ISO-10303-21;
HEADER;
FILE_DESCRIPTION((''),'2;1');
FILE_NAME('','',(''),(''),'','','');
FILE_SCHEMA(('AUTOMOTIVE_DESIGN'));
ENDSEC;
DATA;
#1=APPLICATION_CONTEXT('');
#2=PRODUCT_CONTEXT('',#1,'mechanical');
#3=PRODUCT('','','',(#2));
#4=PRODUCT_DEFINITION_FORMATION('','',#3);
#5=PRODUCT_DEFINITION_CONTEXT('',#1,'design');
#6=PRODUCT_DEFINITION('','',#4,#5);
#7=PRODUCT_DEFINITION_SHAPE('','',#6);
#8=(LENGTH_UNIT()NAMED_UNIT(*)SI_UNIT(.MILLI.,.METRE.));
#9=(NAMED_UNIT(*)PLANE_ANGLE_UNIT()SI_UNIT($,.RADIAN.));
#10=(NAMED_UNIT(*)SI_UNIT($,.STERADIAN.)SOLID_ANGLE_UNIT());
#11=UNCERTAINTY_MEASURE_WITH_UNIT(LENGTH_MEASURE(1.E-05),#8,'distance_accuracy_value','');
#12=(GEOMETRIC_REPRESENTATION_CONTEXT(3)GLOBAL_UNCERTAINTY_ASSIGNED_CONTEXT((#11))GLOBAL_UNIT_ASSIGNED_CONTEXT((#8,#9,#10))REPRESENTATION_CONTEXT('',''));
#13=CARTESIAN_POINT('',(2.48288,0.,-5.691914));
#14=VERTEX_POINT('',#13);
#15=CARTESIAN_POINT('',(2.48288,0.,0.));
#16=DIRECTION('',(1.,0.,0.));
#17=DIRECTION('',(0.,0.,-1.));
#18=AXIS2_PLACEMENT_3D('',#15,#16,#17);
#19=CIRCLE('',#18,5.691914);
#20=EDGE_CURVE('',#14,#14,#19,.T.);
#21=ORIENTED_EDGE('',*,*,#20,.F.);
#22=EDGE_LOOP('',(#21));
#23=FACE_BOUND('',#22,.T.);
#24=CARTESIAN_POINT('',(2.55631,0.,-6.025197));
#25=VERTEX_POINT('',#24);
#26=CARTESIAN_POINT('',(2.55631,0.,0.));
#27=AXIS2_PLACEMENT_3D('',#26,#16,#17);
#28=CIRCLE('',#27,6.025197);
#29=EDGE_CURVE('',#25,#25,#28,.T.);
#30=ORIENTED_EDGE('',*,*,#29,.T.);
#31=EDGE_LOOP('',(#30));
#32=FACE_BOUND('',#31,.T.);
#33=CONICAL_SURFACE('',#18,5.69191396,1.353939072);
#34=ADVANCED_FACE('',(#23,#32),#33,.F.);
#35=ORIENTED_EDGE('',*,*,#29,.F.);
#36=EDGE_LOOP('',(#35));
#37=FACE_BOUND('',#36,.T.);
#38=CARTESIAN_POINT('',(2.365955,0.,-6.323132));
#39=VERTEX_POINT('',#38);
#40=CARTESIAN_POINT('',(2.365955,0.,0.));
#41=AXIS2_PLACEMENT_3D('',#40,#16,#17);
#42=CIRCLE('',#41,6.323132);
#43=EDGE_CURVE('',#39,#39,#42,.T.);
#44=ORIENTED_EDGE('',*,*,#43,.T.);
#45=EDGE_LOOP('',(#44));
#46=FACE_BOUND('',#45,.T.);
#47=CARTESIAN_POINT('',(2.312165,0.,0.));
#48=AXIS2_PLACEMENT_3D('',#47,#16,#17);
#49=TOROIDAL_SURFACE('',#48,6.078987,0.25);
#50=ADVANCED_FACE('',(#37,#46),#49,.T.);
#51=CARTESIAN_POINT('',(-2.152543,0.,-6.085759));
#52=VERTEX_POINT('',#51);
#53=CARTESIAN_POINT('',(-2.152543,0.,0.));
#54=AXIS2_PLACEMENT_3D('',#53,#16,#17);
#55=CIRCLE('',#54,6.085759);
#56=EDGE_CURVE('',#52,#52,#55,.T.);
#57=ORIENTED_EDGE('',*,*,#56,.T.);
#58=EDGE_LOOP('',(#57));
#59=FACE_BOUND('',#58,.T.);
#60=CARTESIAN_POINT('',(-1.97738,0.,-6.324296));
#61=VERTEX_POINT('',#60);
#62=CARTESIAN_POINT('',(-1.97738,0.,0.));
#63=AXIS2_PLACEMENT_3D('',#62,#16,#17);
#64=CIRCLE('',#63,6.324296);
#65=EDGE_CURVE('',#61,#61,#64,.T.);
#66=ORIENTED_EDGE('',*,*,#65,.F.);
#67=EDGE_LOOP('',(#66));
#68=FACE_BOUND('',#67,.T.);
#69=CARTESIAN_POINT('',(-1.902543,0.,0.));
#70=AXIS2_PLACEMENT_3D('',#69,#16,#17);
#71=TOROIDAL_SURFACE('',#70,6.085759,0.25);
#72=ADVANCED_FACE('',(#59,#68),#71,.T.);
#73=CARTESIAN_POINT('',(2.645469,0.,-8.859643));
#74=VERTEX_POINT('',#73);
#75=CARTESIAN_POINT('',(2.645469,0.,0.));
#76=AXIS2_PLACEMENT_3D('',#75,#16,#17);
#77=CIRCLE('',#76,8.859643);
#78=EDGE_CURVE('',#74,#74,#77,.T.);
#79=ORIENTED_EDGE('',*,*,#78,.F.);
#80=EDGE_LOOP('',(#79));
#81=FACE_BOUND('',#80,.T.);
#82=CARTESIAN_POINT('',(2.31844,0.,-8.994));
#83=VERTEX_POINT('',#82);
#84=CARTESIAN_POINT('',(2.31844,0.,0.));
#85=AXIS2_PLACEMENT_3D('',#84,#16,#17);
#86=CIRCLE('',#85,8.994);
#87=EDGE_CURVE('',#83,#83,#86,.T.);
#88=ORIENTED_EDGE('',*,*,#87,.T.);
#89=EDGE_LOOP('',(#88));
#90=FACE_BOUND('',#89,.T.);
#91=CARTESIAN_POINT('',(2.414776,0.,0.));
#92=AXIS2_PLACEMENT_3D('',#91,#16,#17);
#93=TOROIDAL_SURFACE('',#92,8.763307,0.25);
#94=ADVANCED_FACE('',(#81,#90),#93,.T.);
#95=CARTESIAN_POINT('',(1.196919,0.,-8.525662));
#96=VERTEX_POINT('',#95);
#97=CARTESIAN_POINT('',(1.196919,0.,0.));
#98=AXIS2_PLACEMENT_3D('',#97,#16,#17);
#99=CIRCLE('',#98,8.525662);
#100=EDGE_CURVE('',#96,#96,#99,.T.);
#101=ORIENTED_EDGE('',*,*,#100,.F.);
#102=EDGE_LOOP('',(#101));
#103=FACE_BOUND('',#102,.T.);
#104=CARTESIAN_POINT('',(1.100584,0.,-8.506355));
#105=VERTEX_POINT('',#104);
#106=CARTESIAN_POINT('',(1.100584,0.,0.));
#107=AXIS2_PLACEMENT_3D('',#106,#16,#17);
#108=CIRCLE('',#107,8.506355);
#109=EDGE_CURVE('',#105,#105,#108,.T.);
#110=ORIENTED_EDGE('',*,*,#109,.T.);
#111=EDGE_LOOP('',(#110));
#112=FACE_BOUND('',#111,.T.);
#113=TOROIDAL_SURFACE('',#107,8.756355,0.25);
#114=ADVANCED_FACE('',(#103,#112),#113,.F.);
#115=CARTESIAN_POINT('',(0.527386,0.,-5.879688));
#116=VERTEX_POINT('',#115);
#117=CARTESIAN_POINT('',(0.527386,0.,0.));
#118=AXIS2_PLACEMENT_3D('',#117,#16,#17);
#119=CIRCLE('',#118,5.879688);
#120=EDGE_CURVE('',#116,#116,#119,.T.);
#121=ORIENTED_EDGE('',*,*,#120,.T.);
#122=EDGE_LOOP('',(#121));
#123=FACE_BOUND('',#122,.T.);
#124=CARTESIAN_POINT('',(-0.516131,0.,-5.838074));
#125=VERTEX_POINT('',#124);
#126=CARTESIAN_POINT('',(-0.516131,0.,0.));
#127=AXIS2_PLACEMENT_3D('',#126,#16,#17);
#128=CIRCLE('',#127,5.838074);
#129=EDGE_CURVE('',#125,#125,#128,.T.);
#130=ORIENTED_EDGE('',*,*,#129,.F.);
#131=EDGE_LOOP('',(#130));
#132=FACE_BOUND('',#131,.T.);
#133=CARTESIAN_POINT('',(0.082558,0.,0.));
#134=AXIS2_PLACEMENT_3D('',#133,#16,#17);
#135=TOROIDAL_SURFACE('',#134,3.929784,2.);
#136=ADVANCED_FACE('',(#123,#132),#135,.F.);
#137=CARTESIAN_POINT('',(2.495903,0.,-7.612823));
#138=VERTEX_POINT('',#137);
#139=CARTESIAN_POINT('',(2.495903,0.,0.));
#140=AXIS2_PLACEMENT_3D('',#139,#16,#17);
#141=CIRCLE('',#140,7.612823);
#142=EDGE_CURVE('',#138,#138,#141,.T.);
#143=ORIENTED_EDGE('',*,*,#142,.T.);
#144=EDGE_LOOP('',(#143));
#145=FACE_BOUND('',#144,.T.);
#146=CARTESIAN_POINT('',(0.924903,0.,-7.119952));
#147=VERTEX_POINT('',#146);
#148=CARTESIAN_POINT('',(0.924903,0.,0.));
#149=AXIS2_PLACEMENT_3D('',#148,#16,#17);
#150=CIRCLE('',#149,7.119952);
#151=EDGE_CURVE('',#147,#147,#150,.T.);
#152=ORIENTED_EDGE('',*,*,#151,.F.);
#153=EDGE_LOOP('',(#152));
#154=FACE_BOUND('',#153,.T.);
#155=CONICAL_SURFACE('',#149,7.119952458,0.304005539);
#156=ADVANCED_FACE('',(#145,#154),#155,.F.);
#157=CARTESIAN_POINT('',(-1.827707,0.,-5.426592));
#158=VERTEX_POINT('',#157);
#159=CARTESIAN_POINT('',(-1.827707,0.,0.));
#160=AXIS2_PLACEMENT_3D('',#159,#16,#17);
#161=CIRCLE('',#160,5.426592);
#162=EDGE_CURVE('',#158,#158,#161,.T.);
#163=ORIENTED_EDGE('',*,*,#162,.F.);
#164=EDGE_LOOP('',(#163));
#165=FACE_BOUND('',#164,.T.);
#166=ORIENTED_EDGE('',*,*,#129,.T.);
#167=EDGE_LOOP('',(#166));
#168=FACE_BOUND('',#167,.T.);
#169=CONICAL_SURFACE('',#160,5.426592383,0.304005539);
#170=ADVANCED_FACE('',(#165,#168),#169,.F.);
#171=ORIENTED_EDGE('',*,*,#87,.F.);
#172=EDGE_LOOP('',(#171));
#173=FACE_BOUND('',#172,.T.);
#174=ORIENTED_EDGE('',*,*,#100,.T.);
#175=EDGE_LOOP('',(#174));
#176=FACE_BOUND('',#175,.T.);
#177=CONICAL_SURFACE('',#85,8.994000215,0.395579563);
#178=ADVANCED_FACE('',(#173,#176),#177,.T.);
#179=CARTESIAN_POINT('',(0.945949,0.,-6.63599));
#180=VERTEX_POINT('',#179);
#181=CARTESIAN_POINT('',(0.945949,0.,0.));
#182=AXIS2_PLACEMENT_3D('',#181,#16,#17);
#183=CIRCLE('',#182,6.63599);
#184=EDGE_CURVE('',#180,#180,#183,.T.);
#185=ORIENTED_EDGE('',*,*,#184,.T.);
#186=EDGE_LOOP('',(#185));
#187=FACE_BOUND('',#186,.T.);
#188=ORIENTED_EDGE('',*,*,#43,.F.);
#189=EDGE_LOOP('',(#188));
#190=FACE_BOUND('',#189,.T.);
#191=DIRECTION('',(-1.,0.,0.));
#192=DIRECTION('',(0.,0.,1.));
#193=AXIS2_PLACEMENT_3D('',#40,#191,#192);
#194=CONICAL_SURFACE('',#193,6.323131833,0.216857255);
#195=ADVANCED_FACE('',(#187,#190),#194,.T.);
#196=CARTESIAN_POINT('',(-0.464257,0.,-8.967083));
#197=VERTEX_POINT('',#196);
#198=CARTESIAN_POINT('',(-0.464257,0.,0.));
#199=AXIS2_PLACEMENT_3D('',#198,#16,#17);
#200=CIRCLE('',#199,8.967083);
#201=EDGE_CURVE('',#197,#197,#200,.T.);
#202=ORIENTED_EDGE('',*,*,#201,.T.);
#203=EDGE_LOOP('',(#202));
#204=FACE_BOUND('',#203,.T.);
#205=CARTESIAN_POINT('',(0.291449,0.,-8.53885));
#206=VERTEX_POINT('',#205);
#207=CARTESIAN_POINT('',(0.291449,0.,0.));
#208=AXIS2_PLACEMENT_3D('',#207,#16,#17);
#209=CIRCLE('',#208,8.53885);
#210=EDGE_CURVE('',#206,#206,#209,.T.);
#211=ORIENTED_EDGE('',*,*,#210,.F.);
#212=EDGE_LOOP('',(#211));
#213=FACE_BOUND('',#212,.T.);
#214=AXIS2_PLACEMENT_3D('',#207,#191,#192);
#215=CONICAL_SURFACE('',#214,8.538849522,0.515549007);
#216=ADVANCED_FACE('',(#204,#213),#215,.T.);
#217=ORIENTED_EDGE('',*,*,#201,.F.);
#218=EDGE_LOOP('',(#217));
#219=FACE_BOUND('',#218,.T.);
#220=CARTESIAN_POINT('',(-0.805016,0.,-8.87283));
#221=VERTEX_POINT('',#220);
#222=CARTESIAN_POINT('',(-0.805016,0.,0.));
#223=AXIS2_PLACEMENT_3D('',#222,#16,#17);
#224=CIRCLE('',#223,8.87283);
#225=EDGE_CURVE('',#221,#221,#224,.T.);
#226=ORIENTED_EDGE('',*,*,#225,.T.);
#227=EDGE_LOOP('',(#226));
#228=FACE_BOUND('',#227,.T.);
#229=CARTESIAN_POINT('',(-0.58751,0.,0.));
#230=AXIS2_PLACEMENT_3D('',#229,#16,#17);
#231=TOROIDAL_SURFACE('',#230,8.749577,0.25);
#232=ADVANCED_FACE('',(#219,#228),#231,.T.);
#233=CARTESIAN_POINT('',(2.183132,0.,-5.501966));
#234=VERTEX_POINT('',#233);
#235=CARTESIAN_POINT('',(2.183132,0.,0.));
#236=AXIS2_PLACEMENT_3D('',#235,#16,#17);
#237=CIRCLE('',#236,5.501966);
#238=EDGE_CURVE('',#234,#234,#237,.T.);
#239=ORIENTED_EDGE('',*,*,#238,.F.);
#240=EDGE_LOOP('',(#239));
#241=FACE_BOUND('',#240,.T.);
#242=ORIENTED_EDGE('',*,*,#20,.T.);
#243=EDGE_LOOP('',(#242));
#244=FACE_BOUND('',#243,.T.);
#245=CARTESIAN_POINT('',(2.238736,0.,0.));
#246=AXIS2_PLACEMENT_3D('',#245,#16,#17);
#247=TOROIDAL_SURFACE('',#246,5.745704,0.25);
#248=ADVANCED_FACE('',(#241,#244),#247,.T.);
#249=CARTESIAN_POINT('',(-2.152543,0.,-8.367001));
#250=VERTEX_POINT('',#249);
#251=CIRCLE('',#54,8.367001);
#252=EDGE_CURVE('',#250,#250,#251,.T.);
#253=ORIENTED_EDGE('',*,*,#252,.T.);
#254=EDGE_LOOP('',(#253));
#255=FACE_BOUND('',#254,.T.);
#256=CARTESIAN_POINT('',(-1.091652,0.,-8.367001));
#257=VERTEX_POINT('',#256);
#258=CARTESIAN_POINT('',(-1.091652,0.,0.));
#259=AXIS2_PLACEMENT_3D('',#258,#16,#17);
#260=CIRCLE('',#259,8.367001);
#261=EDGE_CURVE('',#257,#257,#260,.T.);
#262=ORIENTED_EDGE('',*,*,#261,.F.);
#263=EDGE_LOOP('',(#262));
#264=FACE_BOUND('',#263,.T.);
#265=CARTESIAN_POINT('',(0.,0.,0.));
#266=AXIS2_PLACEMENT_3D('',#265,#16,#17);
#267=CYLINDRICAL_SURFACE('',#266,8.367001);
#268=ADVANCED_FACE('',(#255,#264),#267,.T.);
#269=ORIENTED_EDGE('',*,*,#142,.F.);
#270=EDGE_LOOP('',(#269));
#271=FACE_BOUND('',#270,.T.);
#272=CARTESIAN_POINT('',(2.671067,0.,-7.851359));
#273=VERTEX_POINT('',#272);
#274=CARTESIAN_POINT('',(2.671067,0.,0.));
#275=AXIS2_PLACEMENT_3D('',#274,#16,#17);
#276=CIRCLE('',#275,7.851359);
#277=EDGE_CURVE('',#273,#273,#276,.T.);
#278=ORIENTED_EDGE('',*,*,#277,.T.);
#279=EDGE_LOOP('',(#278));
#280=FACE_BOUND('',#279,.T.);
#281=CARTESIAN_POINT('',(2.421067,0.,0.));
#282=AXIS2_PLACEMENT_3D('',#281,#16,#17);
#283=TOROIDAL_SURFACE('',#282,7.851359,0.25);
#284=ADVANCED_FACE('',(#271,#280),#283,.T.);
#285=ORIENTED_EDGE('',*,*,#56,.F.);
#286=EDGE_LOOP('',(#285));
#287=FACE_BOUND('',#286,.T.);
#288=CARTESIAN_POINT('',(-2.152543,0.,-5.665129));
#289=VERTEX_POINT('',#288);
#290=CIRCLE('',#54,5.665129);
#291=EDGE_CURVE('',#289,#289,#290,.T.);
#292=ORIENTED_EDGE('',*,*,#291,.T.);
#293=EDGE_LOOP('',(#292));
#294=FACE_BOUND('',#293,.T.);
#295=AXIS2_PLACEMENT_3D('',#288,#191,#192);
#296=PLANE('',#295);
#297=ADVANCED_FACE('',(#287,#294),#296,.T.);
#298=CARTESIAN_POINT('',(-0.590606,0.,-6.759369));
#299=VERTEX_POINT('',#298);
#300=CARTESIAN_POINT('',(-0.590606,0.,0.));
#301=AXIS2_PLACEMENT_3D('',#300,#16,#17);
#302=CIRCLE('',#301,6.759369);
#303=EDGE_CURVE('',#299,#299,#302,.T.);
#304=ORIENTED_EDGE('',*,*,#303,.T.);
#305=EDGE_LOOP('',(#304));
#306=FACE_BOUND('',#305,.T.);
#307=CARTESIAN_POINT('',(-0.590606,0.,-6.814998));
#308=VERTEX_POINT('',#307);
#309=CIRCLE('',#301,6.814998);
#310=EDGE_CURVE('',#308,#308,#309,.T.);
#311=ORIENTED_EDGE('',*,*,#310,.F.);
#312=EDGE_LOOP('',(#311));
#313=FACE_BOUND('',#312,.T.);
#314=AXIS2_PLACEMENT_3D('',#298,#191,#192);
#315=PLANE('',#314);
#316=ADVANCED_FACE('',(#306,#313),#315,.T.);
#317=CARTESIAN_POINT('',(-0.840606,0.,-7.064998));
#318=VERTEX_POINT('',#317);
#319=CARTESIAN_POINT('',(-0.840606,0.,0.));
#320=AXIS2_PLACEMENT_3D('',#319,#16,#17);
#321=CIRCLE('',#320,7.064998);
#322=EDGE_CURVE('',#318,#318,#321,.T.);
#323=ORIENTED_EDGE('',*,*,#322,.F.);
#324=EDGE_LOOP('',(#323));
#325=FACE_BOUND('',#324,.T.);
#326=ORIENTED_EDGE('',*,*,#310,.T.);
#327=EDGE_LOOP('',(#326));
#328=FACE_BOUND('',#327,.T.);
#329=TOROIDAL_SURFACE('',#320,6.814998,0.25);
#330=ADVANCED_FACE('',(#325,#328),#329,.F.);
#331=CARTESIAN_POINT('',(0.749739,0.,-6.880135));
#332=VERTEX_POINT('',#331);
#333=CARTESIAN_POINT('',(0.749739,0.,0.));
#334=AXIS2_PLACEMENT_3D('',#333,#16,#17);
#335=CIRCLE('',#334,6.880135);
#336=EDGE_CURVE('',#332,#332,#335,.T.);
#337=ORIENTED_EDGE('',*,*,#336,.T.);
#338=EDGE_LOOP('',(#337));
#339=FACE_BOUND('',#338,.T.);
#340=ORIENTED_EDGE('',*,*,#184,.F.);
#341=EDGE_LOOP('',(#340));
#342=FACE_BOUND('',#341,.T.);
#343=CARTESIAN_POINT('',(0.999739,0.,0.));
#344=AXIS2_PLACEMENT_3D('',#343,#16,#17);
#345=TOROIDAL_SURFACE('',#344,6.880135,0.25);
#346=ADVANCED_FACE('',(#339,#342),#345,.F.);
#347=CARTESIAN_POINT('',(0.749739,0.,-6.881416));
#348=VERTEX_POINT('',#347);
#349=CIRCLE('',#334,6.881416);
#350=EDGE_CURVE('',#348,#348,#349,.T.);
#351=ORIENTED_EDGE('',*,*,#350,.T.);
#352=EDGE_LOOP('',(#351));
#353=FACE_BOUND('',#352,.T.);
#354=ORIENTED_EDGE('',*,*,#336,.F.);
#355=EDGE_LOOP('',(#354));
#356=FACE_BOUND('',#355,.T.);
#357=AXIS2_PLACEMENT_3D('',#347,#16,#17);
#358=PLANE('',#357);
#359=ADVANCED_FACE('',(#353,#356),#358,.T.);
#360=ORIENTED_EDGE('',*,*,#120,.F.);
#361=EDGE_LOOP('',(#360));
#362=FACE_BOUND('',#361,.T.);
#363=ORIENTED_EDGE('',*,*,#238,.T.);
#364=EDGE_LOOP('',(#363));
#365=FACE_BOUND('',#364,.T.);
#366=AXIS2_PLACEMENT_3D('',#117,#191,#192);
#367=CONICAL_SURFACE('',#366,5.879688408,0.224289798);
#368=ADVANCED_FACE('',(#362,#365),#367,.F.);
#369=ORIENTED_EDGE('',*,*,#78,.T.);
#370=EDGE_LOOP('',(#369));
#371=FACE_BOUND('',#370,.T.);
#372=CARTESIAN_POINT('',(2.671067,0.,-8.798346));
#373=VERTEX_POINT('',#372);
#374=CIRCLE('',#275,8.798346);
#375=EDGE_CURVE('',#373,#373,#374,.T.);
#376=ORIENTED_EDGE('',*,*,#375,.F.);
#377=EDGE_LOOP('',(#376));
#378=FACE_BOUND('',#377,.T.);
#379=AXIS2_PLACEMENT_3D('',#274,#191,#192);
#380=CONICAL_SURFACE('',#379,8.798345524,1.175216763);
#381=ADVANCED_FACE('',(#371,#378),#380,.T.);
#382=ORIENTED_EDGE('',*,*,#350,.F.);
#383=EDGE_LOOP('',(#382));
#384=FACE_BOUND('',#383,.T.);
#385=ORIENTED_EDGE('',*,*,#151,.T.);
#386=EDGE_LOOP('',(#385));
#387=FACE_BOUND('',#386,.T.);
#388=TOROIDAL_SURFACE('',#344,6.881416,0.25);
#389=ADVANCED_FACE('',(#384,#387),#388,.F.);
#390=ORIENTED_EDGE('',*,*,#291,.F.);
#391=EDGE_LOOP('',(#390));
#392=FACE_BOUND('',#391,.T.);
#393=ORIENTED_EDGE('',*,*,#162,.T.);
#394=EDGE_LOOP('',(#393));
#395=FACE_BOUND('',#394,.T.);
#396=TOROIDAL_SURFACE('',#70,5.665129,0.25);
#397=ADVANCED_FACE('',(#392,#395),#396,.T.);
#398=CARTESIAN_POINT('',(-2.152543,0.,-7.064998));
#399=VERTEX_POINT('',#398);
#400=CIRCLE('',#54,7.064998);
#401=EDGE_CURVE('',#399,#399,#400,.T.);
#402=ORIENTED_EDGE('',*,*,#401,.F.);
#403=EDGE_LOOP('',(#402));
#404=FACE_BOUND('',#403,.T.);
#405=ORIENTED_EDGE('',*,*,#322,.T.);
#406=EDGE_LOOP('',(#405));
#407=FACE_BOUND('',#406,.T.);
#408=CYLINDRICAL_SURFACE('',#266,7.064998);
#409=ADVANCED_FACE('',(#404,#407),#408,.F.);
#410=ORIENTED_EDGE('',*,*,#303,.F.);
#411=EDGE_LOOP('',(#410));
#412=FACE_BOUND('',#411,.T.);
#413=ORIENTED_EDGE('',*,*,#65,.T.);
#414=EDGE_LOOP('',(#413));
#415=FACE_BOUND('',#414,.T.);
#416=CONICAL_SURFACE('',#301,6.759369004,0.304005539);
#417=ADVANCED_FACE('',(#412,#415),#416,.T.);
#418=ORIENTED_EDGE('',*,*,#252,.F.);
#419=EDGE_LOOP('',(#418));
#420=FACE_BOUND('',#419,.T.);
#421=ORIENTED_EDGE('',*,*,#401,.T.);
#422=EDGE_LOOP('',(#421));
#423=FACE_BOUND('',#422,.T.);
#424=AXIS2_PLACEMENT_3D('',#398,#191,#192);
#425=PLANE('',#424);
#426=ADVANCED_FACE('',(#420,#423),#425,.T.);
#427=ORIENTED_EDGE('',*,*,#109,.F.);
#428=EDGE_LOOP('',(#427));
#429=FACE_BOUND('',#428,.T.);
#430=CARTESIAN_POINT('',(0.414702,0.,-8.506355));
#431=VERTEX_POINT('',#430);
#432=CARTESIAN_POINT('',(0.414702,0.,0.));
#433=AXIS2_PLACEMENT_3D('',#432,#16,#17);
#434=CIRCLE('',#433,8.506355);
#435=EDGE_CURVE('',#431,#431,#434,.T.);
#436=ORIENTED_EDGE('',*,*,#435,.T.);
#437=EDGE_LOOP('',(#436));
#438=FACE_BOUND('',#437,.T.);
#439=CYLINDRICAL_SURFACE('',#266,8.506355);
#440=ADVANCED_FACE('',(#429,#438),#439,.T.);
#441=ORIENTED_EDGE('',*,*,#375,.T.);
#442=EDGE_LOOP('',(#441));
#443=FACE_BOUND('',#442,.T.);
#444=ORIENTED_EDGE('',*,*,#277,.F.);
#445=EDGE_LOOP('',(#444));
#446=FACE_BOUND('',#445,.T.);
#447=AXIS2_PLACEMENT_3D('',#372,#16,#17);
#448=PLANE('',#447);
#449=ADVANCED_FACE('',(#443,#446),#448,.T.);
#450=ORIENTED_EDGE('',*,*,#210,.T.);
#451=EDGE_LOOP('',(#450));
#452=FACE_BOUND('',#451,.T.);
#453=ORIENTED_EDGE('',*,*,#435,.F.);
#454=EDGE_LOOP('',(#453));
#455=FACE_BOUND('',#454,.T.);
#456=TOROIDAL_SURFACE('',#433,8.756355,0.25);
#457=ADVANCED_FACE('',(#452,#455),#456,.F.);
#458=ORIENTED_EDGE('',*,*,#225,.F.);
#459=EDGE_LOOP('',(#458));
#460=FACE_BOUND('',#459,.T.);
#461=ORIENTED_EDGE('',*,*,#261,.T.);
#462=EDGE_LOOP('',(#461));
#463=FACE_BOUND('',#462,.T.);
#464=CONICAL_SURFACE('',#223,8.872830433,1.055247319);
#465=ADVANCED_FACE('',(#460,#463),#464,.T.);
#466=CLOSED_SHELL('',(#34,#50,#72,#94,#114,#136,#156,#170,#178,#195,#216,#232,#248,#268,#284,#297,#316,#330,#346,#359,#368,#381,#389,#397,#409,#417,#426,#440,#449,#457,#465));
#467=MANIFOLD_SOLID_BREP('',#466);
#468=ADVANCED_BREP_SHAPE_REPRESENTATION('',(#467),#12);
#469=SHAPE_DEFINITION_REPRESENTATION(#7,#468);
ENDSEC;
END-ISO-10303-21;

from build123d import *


with BuildPart() as part:
    # Croquis1 → Revolución1 (revolve)
    with BuildSketch(Plane(origin=(0, 0, 0), x_dir=(1, 0, 0), z_dir=(0, 1, 0))):
        with BuildLine():
            Line((-2.152543458, 8.367001057), (-1.091652238, 8.367001057))
            Line((-1.091652238, 8.367001057), (-0.805015592, 8.872830433))
            ThreePointArc((-0.805015592, 8.872830433), (-0.654156559, 8.99053007), (-0.464256902, 8.967082837))
            Line((-0.464256902, 8.967082837), (0.291448947, 8.538849522))
            ThreePointArc((0.291448947, 8.538849522), (0.350969785, 8.51461514), (0.41470209, 8.506355069))
            Line((0.41470209, 8.506355069), (1.100583515, 8.506355069))
            ThreePointArc((1.100583515, 8.506355069), (1.149709187, 8.511229247), (1.19691928, 8.525661722))
            Line((1.19691928, 8.525661722), (2.318440191, 8.994000215))
            ThreePointArc((2.318440191, 8.994000215), (2.509781113, 8.994551371), (2.645469303, 8.859642633))
            Line((2.645469303, 8.859642633), (2.671066503, 8.798345524))
            Line((2.671066503, 8.798345524), (2.671066503, 7.851359316))
            ThreePointArc((2.671066503, 7.851359316), (2.622572122, 7.703388084), (2.495902619, 7.612823039))
            Line((2.495902619, 7.612823039), (0.924902945, 7.119952458))
            ThreePointArc((0.924902945, 7.119952458), (0.798233442, 7.029387412), (0.749739061, 6.88141618))
            Line((0.749739061, 6.88141618), (0.749739061, 6.880134929))
            ThreePointArc((0.749739061, 6.880134929), (0.804870391, 6.723526495), (0.945948672, 6.635990312))
            Line((0.945948672, 6.635990312), (2.365955403, 6.323131833))
            ThreePointArc((2.365955403, 6.323131833), (2.522836878, 6.213587982), (2.556309632, 6.025196827))
            Line((2.556309632, 6.025196827), (2.482880141, 5.69191396))
            ThreePointArc((2.482880141, 5.69191396), (2.372552449, 5.534533728), (2.183132023, 5.50196627))
            Line((2.183132023, 5.50196627), (0.527386144, 5.879688408))
            ThreePointArc((0.527386144, 5.879688408), (0.002863497, 5.928195345), (-0.516130794, 5.838074006))
            Line((-0.516130794, 5.838074006), (-1.827707342, 5.426592383))
            ThreePointArc((-1.827707342, 5.426592383), (-2.05051469, 5.463623042), (-2.152543458, 5.665128661))
            Line((-2.152543458, 5.665128661), (-2.152543458, 6.085759427))
            ThreePointArc((-2.152543458, 6.085759427), (-2.104049077, 6.233730659), (-1.977379574, 6.324295705))
            Line((-1.977379574, 6.324295705), (-0.590605768, 6.759369004))
            Line((-0.590605768, 6.759369004), (-0.590605768, 6.814998197))
            ThreePointArc((-0.590605768, 6.814998197), (-0.663829073, 6.991774892), (-0.840605768, 7.064998197))
            Line((-0.840605768, 7.064998197), (-2.152543458, 7.064998197))
            Line((-2.152543458, 7.064998197), (-2.152543458, 8.367001057))
        make_face()
    revolve(axis=Axis((0, 0, 0), (-1, 0, 0)))


solid = part.part
